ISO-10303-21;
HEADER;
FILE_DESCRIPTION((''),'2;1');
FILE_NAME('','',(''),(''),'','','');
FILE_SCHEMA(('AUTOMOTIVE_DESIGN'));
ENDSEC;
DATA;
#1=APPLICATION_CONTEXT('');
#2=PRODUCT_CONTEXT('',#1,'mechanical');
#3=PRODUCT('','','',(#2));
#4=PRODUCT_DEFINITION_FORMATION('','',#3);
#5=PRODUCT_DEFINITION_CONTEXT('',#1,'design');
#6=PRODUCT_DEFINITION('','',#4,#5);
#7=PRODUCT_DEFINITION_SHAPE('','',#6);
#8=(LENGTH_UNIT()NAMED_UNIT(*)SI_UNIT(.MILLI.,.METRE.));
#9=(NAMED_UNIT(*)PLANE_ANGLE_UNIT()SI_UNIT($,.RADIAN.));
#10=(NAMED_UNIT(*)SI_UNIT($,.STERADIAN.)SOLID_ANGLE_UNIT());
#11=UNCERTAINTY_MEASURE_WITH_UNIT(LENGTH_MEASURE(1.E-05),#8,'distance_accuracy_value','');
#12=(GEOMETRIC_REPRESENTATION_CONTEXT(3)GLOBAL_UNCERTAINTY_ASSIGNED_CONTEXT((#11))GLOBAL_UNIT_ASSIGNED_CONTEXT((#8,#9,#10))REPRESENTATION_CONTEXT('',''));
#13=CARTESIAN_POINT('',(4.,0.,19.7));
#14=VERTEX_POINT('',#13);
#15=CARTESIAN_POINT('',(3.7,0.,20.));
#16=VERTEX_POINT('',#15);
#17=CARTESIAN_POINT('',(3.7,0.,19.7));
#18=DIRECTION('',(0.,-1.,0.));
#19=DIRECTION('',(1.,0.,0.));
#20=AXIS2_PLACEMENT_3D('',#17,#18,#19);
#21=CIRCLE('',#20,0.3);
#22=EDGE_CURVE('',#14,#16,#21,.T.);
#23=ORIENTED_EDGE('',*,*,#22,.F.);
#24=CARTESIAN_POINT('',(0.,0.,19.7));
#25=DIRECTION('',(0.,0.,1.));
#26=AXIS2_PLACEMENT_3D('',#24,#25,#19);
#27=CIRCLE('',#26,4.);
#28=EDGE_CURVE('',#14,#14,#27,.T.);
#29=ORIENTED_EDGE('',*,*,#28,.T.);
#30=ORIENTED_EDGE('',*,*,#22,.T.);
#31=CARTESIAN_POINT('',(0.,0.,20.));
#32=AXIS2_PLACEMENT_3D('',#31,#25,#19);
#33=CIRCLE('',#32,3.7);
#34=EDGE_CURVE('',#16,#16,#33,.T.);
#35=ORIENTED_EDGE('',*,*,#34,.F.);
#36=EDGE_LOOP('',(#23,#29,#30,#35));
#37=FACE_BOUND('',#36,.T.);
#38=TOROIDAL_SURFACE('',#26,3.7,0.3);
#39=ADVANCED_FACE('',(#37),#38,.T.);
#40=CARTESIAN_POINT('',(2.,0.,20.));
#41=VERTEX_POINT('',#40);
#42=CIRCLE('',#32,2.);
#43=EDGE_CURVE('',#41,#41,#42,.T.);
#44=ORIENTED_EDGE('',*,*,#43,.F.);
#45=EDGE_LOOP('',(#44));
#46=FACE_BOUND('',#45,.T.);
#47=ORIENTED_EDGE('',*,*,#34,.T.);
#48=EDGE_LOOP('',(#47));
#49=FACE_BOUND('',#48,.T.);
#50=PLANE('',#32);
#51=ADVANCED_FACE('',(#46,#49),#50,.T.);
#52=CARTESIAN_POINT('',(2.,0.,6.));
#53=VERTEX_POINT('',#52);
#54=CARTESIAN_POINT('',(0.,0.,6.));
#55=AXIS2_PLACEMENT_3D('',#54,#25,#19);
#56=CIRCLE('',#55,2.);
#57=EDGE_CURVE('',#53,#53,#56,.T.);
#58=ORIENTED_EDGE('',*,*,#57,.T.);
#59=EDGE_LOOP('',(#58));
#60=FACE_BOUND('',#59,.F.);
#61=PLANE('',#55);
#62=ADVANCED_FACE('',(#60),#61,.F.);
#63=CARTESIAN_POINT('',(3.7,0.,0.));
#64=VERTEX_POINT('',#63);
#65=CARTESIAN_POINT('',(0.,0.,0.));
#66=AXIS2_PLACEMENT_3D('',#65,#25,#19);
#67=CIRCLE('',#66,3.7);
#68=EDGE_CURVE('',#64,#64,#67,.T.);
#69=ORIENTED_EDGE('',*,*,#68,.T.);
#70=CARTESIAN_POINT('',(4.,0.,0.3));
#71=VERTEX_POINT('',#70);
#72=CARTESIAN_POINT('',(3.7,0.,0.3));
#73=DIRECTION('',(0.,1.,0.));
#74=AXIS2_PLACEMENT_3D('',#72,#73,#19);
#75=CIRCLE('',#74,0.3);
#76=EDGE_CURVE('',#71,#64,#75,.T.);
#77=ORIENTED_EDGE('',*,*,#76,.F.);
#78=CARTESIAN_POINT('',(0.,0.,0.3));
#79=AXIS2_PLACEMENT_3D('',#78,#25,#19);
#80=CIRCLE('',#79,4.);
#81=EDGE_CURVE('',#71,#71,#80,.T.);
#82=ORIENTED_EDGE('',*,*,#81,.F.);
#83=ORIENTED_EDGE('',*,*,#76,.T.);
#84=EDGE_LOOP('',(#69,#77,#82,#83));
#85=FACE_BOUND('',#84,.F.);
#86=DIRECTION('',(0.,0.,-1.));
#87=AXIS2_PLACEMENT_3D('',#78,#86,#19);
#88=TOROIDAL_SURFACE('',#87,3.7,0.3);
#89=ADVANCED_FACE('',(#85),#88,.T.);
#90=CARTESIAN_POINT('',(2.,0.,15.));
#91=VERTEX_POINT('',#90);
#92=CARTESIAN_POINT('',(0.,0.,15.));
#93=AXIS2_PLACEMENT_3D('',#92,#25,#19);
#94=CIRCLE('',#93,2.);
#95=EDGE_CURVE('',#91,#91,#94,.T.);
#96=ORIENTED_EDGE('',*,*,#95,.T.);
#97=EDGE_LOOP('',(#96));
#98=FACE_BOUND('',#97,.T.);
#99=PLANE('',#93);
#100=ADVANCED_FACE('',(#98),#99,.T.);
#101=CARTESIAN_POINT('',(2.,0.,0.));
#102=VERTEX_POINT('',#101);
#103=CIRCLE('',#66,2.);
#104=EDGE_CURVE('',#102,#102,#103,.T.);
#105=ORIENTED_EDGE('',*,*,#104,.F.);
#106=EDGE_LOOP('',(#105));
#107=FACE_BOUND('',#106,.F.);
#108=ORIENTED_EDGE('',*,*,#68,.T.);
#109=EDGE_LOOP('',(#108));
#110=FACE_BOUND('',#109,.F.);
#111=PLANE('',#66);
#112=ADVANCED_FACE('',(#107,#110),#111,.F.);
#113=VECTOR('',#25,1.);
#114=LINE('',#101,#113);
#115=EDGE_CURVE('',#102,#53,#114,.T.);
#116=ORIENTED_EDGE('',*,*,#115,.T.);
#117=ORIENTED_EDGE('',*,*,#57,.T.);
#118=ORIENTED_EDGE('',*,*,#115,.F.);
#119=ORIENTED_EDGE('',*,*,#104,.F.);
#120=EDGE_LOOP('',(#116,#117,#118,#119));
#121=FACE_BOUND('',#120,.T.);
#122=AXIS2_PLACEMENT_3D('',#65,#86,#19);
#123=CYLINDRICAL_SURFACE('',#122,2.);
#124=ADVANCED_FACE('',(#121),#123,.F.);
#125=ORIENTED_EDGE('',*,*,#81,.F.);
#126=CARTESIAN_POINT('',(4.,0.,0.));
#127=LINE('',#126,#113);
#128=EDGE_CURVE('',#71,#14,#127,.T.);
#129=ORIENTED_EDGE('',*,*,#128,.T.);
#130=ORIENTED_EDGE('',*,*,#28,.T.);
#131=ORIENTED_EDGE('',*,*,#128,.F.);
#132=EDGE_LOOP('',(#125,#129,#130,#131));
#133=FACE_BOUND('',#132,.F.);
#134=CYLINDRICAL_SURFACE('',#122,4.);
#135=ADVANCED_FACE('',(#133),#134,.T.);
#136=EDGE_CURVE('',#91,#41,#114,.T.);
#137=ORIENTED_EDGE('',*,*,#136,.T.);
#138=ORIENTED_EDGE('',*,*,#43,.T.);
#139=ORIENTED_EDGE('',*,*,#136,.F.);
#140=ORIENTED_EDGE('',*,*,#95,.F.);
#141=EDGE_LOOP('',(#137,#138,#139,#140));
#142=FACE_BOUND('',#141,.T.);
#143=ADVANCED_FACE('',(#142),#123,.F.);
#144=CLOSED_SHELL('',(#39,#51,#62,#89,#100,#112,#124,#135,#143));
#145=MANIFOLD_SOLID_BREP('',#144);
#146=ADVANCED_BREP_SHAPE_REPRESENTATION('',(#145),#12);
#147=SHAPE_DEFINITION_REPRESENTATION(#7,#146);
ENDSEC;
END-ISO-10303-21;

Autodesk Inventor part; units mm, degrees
ref_plane "YZ Plane" through (0, 0, 0) normal (1, 0, 0) x (0, 1, 0)
ref_plane "XZ Plane" through (0, 0, 0) normal (0, 1, 0) x (-1, 0, 0)
ref_plane "XY Plane" through (0, 0, 0) normal (0, 0, 1) x (1, 0, 0)
sketch "スケッチ1" plane through (0, 0, 0) normal (0, 0, 1) x (1, 0, 0)
  circle A0 centre (0, 0) radius 4
  circle A1 centre (0, 0) radius 2
  dimension "d0" = 8
  dimension "d1" = 4
extrude "押し出し1" add sketch "スケッチ1" along normal blind 20
fillet "フィレット1" radius 0.3 2 edges at (-4, 0, 20) (-4, 0, 0)
thread "ねじ1" size "M4x0.7" class "6H" standard "ANSI Metric M Profile" length 100
extrude "押し出し2" add sketch "スケッチ1" along normal blind 15 contours A1
extrude "押し出し3" cut sketch "スケッチ1" along normal blind 6 contours A1
thread "ねじ2" size "M4x0.7" class "6H" standard "ANSI Metric M Profile" full length
properties part number "スペーサーM4L20アルミ" material "アルミニウム 2014-T4"
